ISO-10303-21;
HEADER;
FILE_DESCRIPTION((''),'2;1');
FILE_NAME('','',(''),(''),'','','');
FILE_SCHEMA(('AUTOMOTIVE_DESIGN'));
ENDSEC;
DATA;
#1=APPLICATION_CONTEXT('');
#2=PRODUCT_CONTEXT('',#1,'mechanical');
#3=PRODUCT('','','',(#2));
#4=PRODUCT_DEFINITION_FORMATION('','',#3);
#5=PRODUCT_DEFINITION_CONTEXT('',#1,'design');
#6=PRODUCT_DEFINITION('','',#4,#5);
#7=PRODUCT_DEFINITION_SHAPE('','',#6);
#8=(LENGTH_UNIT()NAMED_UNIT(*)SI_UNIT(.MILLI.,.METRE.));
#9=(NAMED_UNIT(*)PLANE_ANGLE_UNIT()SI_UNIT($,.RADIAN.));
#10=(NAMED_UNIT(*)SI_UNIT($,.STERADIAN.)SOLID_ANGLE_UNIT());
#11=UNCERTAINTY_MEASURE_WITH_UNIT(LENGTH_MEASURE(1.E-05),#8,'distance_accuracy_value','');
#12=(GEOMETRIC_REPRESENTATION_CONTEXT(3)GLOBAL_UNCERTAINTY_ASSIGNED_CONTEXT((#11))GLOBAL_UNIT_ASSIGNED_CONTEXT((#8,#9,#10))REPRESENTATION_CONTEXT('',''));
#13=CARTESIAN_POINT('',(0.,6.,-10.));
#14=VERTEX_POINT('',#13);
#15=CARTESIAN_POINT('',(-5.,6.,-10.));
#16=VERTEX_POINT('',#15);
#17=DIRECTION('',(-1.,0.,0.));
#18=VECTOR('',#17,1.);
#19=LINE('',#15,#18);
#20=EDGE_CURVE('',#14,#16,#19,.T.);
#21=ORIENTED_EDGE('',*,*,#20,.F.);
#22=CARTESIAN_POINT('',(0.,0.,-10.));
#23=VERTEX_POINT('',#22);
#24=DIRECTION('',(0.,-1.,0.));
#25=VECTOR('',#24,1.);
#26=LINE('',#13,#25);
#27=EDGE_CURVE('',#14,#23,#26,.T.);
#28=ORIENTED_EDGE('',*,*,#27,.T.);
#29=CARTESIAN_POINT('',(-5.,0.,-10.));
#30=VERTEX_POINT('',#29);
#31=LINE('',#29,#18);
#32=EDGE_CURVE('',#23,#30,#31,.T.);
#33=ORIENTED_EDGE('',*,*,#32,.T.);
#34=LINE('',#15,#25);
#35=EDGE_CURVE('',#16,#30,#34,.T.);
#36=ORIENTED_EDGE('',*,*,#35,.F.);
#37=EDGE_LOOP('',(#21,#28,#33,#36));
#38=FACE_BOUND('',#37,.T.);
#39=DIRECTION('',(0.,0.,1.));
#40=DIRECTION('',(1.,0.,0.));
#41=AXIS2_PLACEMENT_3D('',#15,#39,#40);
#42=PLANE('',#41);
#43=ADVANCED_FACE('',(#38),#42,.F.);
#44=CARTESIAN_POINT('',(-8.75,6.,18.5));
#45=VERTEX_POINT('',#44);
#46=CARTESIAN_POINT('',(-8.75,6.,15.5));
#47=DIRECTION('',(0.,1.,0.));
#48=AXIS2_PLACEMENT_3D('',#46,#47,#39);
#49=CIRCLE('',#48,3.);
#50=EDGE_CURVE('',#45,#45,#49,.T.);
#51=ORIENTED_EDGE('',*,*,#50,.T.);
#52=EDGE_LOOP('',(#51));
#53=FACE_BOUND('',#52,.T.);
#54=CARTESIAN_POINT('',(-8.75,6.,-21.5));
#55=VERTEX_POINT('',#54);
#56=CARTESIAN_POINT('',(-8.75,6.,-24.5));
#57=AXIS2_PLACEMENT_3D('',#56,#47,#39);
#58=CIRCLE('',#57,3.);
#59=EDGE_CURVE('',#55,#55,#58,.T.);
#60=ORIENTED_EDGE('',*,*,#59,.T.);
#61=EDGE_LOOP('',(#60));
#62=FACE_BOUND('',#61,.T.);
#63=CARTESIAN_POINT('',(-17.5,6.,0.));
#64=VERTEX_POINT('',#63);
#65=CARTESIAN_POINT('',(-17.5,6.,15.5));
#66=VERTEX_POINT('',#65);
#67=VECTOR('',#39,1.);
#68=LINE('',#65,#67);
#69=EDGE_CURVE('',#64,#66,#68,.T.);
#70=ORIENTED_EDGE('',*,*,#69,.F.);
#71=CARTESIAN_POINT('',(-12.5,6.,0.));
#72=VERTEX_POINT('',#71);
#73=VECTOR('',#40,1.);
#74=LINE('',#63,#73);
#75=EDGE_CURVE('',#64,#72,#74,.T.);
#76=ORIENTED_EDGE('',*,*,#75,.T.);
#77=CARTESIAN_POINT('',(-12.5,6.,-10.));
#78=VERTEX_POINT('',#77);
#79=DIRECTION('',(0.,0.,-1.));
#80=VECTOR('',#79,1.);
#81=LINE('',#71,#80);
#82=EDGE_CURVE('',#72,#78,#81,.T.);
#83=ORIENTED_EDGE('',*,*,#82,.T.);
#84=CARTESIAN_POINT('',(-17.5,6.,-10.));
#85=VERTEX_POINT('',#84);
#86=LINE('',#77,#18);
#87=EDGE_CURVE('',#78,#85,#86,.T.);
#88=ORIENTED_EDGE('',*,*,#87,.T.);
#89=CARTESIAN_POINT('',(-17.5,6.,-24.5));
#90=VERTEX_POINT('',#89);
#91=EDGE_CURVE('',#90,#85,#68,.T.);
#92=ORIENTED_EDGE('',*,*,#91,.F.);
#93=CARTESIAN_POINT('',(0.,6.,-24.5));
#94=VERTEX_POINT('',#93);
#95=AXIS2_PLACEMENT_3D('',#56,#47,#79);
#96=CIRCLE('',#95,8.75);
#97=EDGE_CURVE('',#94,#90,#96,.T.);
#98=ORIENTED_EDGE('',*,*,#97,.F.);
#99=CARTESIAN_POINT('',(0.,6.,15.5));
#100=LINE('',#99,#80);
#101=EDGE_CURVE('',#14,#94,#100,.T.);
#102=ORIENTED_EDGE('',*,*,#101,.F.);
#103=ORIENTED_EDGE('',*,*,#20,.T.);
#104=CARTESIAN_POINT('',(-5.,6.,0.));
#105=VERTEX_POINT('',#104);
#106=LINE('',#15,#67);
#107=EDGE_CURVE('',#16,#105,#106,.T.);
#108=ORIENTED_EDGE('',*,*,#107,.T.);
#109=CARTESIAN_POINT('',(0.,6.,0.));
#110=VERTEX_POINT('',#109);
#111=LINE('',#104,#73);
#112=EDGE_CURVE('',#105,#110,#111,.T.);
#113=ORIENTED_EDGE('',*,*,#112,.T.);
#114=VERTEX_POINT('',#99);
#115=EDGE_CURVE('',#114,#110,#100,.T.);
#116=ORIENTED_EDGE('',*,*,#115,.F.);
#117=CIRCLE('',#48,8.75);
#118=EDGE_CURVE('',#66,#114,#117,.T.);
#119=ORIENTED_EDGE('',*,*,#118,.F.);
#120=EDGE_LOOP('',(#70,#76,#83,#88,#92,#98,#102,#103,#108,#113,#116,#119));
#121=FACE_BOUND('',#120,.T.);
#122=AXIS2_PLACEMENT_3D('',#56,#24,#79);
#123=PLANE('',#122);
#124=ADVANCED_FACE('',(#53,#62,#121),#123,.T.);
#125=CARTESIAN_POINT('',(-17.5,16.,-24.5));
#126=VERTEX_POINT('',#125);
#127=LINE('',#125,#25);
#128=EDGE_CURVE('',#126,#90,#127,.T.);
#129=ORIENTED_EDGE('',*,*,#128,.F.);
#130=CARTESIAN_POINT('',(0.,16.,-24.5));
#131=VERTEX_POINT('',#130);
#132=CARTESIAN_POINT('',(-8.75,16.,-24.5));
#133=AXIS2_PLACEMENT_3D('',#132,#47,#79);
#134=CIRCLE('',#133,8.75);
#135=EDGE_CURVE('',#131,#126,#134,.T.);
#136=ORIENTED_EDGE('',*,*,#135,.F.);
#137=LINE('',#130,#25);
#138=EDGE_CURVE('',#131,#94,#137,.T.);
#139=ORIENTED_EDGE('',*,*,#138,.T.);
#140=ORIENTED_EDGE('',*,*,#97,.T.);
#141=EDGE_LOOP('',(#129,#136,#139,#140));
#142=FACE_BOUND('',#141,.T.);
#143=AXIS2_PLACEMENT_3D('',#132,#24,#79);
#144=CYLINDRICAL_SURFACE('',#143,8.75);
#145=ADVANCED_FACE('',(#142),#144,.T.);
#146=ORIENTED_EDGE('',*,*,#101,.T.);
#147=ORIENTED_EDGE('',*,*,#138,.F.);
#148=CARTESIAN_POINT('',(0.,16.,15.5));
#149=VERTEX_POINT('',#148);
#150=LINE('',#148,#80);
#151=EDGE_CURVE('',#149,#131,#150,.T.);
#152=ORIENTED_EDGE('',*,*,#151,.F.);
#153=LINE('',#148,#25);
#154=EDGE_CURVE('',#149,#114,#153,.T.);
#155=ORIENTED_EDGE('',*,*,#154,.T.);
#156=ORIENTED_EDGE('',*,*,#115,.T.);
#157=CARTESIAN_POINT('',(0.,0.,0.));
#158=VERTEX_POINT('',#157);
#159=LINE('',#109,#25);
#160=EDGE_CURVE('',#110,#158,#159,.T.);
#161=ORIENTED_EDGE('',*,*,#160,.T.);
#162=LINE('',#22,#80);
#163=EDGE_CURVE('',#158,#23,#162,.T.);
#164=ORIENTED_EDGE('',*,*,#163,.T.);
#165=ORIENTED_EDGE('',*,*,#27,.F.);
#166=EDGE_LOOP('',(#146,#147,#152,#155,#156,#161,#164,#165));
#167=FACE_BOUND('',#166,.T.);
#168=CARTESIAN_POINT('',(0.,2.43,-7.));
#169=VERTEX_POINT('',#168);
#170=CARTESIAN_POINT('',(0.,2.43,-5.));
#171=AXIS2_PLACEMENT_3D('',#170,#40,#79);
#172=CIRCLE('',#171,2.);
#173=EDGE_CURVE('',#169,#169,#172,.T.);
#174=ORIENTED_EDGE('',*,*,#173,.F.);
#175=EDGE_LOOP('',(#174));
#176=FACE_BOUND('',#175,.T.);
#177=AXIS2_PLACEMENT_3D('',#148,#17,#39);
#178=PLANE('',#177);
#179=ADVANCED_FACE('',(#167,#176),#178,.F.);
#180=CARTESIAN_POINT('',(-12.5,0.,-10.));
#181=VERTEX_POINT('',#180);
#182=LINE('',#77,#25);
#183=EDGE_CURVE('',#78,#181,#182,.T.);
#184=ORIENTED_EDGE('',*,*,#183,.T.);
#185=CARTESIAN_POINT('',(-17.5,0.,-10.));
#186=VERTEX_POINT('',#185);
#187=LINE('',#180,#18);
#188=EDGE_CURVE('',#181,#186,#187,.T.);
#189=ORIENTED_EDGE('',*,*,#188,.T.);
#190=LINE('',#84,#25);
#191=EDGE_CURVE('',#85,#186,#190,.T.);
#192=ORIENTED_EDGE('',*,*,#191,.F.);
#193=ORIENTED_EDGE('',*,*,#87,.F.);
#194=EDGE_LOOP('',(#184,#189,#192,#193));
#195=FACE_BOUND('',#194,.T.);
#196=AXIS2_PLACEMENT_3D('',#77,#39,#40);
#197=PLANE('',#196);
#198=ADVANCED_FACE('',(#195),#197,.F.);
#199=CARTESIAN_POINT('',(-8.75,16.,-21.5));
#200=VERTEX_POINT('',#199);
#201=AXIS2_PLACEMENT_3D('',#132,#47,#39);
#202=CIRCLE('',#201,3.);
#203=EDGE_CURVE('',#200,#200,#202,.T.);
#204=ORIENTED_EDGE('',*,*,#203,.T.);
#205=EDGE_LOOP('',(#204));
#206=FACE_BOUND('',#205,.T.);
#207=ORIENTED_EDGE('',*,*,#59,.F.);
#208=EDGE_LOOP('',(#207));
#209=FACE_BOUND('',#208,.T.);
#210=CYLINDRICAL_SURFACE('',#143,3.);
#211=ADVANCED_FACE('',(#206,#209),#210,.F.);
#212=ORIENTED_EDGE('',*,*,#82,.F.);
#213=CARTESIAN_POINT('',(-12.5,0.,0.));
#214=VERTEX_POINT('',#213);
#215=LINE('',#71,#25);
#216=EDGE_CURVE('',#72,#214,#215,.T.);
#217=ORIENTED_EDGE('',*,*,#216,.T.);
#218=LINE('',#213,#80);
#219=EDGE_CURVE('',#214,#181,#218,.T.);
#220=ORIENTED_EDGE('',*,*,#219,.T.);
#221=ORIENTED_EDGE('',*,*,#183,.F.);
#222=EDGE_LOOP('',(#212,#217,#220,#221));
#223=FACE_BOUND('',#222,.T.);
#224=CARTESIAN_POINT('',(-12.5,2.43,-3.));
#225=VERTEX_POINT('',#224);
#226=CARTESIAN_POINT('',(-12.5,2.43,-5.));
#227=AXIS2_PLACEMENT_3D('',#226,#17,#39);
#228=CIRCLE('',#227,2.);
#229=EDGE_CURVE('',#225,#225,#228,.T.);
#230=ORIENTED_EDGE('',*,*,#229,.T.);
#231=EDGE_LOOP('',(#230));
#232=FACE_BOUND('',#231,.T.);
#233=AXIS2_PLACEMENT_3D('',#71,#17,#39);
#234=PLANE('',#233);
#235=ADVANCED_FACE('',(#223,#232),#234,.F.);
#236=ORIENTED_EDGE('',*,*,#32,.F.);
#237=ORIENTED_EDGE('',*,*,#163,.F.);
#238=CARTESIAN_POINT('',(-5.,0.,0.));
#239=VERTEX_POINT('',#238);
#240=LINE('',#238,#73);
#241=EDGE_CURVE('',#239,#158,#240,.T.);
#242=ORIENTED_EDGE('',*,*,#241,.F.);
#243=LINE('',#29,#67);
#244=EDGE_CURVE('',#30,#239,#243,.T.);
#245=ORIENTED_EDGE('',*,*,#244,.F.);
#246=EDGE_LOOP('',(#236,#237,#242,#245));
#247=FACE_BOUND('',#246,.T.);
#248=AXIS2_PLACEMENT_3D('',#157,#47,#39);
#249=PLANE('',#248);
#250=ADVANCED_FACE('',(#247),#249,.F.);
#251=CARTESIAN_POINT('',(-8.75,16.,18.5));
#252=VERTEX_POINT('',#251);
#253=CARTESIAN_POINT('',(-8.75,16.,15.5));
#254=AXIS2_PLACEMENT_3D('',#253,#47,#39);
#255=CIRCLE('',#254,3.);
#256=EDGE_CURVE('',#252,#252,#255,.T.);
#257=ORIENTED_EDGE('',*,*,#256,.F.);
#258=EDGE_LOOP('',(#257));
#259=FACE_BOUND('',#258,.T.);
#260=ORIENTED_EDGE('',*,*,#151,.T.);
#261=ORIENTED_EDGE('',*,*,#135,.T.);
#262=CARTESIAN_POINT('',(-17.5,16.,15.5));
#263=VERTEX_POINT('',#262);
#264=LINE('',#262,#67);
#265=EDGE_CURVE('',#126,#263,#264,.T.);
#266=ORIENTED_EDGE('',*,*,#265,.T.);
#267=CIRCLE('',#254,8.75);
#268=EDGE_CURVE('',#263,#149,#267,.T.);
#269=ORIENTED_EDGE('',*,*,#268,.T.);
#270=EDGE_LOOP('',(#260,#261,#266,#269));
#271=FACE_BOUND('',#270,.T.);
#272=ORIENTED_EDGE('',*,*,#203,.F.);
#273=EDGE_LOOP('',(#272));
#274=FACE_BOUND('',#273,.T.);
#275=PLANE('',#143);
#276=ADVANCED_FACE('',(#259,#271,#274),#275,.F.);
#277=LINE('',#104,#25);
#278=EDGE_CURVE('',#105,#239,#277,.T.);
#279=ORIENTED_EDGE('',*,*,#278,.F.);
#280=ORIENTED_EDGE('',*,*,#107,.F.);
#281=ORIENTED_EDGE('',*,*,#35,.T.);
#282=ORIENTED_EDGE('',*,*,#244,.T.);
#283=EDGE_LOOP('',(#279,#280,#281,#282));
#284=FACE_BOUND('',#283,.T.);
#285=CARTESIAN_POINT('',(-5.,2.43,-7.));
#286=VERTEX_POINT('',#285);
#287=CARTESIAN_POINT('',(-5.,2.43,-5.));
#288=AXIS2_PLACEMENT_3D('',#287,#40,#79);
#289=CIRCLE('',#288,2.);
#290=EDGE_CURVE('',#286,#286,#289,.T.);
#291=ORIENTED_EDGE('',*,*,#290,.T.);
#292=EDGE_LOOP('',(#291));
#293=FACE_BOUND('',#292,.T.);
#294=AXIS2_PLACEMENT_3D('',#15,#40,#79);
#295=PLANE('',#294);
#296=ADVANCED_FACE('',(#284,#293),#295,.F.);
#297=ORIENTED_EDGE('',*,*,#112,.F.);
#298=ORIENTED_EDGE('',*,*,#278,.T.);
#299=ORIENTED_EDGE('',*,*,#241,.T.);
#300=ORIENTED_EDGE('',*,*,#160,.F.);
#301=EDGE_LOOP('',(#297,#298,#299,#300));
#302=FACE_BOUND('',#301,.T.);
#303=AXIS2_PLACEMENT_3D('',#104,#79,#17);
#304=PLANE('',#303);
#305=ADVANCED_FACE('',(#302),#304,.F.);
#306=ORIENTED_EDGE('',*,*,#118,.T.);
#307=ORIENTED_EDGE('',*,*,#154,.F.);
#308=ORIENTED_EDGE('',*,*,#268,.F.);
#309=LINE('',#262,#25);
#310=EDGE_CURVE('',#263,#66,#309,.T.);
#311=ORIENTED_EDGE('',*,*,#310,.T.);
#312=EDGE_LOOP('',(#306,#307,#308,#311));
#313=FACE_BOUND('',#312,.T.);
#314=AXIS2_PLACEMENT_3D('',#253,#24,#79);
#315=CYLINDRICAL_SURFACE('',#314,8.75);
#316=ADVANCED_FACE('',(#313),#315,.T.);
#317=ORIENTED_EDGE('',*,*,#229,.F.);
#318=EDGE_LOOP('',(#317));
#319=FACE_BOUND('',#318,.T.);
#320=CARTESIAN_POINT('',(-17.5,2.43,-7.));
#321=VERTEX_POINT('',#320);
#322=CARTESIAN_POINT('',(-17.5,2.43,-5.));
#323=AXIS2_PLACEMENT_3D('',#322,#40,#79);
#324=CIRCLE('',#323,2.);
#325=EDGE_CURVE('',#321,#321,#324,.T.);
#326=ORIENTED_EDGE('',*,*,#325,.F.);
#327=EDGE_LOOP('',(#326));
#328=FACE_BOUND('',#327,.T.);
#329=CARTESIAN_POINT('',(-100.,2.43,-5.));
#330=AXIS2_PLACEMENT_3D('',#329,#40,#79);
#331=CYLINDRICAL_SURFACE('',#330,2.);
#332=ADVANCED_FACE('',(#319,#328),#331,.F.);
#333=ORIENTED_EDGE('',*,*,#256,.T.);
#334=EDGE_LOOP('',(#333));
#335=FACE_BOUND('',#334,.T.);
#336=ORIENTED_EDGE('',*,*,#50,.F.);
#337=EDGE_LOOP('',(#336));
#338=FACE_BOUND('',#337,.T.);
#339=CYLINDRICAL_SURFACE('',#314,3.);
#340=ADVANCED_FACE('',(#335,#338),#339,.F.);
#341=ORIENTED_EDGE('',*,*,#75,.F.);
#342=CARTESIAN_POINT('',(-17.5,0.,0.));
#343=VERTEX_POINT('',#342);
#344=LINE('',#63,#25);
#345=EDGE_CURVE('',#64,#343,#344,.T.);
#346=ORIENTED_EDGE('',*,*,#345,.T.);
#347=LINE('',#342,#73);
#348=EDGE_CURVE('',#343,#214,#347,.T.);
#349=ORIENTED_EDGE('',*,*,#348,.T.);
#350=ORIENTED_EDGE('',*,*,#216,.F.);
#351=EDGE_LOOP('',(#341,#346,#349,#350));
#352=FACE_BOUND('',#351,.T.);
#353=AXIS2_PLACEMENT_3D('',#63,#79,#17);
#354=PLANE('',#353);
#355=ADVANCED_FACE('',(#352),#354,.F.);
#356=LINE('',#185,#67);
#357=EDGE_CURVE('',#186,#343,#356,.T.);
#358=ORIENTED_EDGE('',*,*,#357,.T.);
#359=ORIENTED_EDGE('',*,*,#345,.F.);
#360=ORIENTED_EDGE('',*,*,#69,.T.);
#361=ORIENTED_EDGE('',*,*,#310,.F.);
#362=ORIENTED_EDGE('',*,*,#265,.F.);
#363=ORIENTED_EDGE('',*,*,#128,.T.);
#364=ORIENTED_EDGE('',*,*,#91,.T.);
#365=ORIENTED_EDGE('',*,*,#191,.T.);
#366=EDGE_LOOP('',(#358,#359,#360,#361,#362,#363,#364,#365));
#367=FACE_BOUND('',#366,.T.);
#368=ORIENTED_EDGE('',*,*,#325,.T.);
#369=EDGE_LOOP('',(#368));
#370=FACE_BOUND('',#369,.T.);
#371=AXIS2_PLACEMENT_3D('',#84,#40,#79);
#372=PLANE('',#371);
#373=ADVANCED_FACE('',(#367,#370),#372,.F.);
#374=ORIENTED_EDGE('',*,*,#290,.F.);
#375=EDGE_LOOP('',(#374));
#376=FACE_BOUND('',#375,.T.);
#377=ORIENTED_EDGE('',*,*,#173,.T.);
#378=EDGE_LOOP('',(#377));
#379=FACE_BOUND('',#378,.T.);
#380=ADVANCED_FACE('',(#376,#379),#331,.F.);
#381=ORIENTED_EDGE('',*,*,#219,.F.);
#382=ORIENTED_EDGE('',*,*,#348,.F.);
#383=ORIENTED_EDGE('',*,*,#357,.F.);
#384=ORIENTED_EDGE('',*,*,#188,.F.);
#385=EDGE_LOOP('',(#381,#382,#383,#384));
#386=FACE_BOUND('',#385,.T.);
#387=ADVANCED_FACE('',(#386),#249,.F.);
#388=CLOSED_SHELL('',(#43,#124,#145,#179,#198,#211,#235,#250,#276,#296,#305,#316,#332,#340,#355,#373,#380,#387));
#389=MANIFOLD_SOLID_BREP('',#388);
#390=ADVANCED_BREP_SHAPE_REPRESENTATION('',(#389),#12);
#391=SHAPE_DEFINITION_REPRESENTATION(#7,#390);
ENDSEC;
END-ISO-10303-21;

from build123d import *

# Parameters (mm, degrees)
SKETCH1_W             = 5
SKETCH1_H             = 10
BOSS_EXTRUDE1_DEPTH   = 6
BOSS_EXTRUDE1_2_DEPTH = 6
SKETCH2_R             = 2
CUT_EXTRUDE1_DEPTH    = 100
SKETCH4_R             = 3
BOSS_EXTRUDE2_DEPTH   = 10


with BuildPart() as part:
    # Sketch1 → Boss-Extrude1 (new body)
    with BuildSketch(Plane(origin=(0, 0, 0), x_dir=(1, 0, 0), z_dir=(0, 1, 0))):
        with Locations((-15, 5)):
            Rectangle(SKETCH1_W, SKETCH1_H)
    extrude(amount=BOSS_EXTRUDE1_DEPTH)


with BuildPart() as body_2:
    # Sketch1 → Boss-Extrude1 2 (new body)
    with BuildSketch(Plane(origin=(0, 0, 0), x_dir=(1, 0, 0), z_dir=(0, 1, 0))):
        with Locations((-2.5, 5)):
            Rectangle(SKETCH1_W, SKETCH1_H)
    extrude(amount=BOSS_EXTRUDE1_2_DEPTH)


with BuildPart() as cut_extrude1_tool:
    # Sketch2 → Cut-Extrude1 (new body)
    with BuildSketch(Plane(origin=(0, 0, 0), x_dir=(0, 0, -1), z_dir=(1, 0, 0))):
        with Locations((5, 2.43)):
            Circle(SKETCH2_R)
    extrude(amount=-CUT_EXTRUDE1_DEPTH)


with BuildPart() as part_1:
    add(part.part)

    # Cut-Extrude1: cut by cut_extrude1_tool
    add(cut_extrude1_tool.part, mode=Mode.SUBTRACT)



with BuildPart() as body_2_1:
    add(body_2.part)

    # Cut-Extrude1: cut by cut_extrude1_tool
    add(cut_extrude1_tool.part, mode=Mode.SUBTRACT)


with BuildPart() as part_2:
    add(part_1.part)

    add(body_2_1.part)  # Boss-Extrude2 merges body 2
    # Sketch4 → Boss-Extrude2 (add)
    with BuildSketch(Plane(origin=(0, 6, 0), x_dir=(1, 0, 0), z_dir=(0, 1, 0))):
        with BuildLine():
            Line((-17.5, -15.5), (-17.5, 24.5))
            ThreePointArc((-17.5, 24.5), (-8.75, 33.25), (0, 24.5))
            Line((0, 24.5), (0, -15.5))
            ThreePointArc((0, -15.5), (-8.75, -24.25), (-17.5, -15.5))
        make_face()
        with Locations(Location((-8.75, 24.5, 0), (0, 0, 270))):
            Circle(SKETCH4_R, mode=Mode.SUBTRACT)
        with Locations(Location((-8.75, -15.5, 0), (0, 0, 270))):
            Circle(SKETCH4_R, mode=Mode.SUBTRACT)
    extrude(amount=BOSS_EXTRUDE2_DEPTH)


solid = part_2.part
